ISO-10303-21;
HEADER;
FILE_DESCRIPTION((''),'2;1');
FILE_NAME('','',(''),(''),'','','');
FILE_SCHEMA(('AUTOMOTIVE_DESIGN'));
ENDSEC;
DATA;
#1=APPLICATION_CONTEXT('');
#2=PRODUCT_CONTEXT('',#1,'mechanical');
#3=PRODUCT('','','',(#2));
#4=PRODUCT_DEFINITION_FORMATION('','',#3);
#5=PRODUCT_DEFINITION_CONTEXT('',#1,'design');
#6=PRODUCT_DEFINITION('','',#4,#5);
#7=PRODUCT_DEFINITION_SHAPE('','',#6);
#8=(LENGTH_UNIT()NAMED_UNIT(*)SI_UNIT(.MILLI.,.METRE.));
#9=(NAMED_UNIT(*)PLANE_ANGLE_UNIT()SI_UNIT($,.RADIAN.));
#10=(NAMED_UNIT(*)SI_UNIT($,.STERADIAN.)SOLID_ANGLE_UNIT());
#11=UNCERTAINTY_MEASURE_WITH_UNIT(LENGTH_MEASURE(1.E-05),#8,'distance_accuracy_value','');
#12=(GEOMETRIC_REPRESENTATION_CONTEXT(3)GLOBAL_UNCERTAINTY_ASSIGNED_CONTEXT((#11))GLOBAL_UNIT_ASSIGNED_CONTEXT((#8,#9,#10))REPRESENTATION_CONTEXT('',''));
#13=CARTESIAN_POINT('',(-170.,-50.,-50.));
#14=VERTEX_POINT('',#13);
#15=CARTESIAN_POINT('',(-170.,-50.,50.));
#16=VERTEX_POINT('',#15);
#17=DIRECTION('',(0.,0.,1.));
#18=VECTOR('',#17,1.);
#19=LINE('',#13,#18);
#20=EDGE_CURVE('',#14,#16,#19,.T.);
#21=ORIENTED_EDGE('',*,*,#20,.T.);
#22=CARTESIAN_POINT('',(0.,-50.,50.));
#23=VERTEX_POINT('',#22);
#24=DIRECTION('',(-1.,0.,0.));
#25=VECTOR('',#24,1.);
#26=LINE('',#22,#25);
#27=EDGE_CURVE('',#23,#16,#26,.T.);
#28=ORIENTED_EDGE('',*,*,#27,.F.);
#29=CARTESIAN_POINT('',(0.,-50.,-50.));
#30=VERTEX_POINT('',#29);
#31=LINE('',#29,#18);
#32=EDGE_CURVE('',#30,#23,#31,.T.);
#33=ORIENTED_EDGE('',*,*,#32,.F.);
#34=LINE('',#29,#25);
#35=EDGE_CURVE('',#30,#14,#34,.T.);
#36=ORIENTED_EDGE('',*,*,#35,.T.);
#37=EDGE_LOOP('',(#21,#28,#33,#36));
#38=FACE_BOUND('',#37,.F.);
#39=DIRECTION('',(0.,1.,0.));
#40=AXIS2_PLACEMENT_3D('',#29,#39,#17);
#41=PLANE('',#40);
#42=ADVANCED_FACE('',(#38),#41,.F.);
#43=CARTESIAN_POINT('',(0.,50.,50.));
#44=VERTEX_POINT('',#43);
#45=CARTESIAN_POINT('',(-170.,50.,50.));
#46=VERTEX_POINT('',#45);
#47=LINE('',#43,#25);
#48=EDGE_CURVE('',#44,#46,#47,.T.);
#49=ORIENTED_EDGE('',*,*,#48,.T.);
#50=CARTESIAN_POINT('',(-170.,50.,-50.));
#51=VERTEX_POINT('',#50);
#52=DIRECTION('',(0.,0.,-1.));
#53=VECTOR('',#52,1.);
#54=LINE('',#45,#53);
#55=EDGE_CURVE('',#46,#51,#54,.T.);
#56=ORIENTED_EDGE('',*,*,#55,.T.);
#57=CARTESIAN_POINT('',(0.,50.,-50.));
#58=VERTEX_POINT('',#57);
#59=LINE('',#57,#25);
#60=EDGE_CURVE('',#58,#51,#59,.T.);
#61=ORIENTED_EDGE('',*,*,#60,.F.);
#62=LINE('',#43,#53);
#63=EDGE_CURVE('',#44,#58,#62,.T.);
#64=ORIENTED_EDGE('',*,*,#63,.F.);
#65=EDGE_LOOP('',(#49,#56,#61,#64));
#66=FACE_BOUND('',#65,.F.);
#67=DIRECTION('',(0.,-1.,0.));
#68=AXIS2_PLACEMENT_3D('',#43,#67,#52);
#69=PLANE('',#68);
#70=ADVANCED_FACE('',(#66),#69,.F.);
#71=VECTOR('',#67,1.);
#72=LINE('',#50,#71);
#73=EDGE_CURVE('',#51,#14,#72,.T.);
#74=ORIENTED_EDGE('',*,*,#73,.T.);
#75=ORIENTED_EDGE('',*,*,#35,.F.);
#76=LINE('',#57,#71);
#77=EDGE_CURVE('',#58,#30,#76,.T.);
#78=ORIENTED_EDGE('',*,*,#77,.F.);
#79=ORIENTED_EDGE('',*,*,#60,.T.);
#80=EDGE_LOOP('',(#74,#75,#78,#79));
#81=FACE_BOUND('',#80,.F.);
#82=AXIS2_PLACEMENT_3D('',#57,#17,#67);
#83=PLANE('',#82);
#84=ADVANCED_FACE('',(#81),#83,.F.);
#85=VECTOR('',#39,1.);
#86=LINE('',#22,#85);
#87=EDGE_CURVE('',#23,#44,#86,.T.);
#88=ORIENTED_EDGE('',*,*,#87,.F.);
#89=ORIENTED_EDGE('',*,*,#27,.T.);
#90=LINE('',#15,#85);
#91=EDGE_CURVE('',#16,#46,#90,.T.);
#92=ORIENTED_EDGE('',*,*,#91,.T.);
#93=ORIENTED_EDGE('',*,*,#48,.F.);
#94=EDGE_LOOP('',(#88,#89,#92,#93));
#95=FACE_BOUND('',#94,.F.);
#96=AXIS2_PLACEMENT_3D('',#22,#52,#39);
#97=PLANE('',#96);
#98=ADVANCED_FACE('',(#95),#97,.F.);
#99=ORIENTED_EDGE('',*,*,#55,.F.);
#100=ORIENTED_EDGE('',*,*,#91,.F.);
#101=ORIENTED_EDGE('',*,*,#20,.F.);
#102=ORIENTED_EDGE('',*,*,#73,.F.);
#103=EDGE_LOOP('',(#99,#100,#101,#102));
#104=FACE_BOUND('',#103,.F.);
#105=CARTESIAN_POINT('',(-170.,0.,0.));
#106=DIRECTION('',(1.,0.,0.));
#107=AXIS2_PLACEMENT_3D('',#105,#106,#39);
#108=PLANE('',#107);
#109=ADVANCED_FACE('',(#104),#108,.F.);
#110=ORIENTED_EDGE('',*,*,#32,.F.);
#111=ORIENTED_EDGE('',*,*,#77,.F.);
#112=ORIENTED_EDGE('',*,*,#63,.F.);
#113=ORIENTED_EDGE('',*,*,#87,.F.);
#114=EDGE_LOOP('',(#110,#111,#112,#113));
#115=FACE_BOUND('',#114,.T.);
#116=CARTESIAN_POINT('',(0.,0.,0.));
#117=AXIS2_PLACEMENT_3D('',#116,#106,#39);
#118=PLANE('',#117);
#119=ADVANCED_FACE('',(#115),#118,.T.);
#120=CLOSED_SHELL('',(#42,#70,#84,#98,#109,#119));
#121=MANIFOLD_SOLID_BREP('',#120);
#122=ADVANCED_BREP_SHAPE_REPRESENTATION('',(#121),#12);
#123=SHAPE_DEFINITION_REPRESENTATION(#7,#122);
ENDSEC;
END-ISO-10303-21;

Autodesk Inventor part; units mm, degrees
ref_plane "YZ Plane" through (0, 0, 0) normal (1, 0, 0) x (0, 1, 0)
ref_plane "XZ Plane" through (0, 0, 0) normal (0, 1, 0) x (-1, 0, 0)
ref_plane "XY Plane" through (0, 0, 0) normal (0, 0, 1) x (1, 0, 0)
sketch "Эскиз1" plane through (0, 0, 0) normal (1, 0, 0) x (0, 1, 0)
  line L0 (-50, 50) -> (50, 50)
  line L1 (50, 50) -> (50, -50)
  line L2 (50, -50) -> (-50, -50)
  line L3 (-50, -50) -> (-50, 50)
  line L4 (-50, 50) -> (50, -50) construction
  line L5 (50, 50) -> (-50, -50) construction
  point P0 (0, 0)
  dimension "d0" = 100
  dimension "d1" = 100
extrude "Выдавливание1" add sketch "Эскиз1" against normal blind 170
properties part number "731114"
